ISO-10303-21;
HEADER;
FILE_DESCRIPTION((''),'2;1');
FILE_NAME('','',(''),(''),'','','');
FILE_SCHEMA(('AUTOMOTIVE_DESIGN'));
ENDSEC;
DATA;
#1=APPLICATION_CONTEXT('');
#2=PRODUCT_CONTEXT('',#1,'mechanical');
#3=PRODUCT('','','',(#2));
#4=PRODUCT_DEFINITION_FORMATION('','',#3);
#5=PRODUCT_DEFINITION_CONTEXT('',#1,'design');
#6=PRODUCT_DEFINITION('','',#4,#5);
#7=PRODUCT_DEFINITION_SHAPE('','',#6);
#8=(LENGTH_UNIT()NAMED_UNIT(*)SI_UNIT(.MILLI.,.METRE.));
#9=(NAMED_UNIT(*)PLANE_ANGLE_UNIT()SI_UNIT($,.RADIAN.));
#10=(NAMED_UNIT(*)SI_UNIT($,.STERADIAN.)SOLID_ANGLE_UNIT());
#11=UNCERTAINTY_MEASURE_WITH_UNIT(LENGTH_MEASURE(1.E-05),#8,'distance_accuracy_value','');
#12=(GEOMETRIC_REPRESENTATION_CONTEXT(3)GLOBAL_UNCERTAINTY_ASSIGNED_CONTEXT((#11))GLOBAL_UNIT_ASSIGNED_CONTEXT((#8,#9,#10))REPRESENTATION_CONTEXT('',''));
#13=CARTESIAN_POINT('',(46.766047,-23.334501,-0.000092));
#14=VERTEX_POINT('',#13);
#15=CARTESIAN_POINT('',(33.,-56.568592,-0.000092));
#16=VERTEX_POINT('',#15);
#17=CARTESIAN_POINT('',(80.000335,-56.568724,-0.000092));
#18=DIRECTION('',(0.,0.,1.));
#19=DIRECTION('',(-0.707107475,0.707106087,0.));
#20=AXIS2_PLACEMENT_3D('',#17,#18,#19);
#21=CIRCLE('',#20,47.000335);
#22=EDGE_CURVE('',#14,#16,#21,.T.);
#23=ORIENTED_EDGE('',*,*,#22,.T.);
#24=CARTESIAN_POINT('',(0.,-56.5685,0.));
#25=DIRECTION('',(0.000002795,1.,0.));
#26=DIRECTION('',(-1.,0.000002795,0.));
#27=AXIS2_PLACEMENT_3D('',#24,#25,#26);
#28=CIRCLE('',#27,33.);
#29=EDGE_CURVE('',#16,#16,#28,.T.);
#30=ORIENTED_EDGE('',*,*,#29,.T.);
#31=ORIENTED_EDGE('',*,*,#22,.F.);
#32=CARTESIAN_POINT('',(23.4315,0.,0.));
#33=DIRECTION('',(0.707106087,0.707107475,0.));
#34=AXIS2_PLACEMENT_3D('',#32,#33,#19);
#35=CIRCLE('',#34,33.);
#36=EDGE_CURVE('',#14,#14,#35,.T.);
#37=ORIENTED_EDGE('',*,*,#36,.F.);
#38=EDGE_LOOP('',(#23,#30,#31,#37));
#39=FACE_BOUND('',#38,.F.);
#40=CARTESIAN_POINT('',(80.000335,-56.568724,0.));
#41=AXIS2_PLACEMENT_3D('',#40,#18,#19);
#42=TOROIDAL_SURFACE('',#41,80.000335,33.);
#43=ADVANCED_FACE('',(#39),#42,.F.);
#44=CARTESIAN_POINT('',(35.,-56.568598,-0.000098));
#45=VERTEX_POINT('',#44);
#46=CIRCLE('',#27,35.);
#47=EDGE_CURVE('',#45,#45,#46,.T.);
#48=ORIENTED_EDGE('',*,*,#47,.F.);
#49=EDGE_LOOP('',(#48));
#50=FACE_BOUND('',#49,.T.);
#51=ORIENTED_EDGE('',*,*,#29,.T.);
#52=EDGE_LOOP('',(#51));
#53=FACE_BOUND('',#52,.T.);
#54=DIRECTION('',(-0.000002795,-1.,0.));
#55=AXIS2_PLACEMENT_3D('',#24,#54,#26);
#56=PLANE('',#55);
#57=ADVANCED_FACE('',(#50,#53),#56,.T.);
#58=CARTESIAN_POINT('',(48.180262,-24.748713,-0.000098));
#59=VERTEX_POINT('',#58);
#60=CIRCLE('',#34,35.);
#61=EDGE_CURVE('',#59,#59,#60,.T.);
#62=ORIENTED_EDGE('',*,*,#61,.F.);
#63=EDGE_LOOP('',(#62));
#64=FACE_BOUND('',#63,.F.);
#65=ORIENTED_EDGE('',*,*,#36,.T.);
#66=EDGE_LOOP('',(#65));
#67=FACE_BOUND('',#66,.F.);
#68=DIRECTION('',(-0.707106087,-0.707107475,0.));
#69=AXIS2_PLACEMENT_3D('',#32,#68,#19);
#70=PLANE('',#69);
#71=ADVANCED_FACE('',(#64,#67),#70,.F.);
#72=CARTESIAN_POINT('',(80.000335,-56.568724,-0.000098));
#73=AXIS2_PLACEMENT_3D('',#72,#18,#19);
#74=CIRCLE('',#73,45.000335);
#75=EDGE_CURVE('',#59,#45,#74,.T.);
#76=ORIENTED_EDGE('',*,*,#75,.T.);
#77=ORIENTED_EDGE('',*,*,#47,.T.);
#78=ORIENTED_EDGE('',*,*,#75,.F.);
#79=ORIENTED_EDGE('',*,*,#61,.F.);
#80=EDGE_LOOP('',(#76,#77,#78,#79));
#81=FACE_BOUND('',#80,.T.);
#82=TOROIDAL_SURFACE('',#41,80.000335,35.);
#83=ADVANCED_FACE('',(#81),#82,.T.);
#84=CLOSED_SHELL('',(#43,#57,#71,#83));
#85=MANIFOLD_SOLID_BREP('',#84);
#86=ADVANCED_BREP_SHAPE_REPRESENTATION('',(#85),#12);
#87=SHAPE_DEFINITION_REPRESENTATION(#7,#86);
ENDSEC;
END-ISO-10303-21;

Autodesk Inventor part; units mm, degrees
ref_plane "YZ Plane" through (0, 0, 0) normal (1, 0, 0) x (0, 1, 0)
ref_plane "XZ Plane" through (0, 0, 0) normal (0, 1, 0) x (-1, 0, 0)
sketch "Szkic6" plane through (0, 0, 0) normal (0, 0, 1) x (1, 0, 0)
  line L0 (-29.6067, 0) -> (35.2678, 0) construction
  line L1 (0, 42.3419) -> (0, -58.3726) construction
  arc A0 (23.4315, 0) -> (0, -56.5685) centre (80, -56.5685) ccw
  line L2 (0, -56.5685) -> (80, -56.5685) construction
  line L3 (80, -56.5685) -> (33.6611, -10.2296) construction
  line L4 (23.4315, 0) -> (23.4315, 0)
  line L5 (0, -56.5685) -> (0, -56.5685)
  point P0 (0, 0)
  dimension "d24" = 80
  dimension "d31" = 45
  dimension "d36" = 0
  dimension "d37" = 0
ref_plane "Płaszczyzna konstrukcyjna2" through (0, -56.5685, 0) normal (0, -1, 0) x (1, 0, 0)
sketch "Szkic8" plane through (0, -56.5685, 0) normal (0, -1, 0) x (1, 0, 0)
  circle A0 centre (0, 0) radius 35
  circle A1 centre (0, 0) radius 33
  dimension "d32" = 70
  dimension "d33" = 2
sweep "Przeciągnięcie2" add profiles "Szkic8" path "Szkic6"
equation "\"d32\" = OD"
equation "\"d33\" = THK"
equation "\"d24\" = R"
equation "\"d31\" = KAT"
equation "\"SzerokośćGięciaPodcięcia\" = Grubość"
equation "\"RozmiarPodcięciaNarożnika\" = 4 * Grubość"
equation "\"PromieńPrzejścia\" = PromieńGięcia"
equation "\"Rozmiar_promienia_Jacobiego\" = PromieńGięcia"
equation "\"Wielk_odstępu\" = Grubość"
equation "\"d2\" = PromieńGięcia"
equation "\"d23\" = PromieńGięcia"
equation "\"R\" = 80"
equation "\"OD\" = 70"
equation "\"THK\" = 2"
equation "\"KAT\" = 45deg"
equation "\"PROSTKA\" = 0"
equation "\"Grubość\" = 1.5"
equation "\"PromieńGięcia\" = 3"
properties part number "Kolano 45° ø70x2 R80" material "304L"
